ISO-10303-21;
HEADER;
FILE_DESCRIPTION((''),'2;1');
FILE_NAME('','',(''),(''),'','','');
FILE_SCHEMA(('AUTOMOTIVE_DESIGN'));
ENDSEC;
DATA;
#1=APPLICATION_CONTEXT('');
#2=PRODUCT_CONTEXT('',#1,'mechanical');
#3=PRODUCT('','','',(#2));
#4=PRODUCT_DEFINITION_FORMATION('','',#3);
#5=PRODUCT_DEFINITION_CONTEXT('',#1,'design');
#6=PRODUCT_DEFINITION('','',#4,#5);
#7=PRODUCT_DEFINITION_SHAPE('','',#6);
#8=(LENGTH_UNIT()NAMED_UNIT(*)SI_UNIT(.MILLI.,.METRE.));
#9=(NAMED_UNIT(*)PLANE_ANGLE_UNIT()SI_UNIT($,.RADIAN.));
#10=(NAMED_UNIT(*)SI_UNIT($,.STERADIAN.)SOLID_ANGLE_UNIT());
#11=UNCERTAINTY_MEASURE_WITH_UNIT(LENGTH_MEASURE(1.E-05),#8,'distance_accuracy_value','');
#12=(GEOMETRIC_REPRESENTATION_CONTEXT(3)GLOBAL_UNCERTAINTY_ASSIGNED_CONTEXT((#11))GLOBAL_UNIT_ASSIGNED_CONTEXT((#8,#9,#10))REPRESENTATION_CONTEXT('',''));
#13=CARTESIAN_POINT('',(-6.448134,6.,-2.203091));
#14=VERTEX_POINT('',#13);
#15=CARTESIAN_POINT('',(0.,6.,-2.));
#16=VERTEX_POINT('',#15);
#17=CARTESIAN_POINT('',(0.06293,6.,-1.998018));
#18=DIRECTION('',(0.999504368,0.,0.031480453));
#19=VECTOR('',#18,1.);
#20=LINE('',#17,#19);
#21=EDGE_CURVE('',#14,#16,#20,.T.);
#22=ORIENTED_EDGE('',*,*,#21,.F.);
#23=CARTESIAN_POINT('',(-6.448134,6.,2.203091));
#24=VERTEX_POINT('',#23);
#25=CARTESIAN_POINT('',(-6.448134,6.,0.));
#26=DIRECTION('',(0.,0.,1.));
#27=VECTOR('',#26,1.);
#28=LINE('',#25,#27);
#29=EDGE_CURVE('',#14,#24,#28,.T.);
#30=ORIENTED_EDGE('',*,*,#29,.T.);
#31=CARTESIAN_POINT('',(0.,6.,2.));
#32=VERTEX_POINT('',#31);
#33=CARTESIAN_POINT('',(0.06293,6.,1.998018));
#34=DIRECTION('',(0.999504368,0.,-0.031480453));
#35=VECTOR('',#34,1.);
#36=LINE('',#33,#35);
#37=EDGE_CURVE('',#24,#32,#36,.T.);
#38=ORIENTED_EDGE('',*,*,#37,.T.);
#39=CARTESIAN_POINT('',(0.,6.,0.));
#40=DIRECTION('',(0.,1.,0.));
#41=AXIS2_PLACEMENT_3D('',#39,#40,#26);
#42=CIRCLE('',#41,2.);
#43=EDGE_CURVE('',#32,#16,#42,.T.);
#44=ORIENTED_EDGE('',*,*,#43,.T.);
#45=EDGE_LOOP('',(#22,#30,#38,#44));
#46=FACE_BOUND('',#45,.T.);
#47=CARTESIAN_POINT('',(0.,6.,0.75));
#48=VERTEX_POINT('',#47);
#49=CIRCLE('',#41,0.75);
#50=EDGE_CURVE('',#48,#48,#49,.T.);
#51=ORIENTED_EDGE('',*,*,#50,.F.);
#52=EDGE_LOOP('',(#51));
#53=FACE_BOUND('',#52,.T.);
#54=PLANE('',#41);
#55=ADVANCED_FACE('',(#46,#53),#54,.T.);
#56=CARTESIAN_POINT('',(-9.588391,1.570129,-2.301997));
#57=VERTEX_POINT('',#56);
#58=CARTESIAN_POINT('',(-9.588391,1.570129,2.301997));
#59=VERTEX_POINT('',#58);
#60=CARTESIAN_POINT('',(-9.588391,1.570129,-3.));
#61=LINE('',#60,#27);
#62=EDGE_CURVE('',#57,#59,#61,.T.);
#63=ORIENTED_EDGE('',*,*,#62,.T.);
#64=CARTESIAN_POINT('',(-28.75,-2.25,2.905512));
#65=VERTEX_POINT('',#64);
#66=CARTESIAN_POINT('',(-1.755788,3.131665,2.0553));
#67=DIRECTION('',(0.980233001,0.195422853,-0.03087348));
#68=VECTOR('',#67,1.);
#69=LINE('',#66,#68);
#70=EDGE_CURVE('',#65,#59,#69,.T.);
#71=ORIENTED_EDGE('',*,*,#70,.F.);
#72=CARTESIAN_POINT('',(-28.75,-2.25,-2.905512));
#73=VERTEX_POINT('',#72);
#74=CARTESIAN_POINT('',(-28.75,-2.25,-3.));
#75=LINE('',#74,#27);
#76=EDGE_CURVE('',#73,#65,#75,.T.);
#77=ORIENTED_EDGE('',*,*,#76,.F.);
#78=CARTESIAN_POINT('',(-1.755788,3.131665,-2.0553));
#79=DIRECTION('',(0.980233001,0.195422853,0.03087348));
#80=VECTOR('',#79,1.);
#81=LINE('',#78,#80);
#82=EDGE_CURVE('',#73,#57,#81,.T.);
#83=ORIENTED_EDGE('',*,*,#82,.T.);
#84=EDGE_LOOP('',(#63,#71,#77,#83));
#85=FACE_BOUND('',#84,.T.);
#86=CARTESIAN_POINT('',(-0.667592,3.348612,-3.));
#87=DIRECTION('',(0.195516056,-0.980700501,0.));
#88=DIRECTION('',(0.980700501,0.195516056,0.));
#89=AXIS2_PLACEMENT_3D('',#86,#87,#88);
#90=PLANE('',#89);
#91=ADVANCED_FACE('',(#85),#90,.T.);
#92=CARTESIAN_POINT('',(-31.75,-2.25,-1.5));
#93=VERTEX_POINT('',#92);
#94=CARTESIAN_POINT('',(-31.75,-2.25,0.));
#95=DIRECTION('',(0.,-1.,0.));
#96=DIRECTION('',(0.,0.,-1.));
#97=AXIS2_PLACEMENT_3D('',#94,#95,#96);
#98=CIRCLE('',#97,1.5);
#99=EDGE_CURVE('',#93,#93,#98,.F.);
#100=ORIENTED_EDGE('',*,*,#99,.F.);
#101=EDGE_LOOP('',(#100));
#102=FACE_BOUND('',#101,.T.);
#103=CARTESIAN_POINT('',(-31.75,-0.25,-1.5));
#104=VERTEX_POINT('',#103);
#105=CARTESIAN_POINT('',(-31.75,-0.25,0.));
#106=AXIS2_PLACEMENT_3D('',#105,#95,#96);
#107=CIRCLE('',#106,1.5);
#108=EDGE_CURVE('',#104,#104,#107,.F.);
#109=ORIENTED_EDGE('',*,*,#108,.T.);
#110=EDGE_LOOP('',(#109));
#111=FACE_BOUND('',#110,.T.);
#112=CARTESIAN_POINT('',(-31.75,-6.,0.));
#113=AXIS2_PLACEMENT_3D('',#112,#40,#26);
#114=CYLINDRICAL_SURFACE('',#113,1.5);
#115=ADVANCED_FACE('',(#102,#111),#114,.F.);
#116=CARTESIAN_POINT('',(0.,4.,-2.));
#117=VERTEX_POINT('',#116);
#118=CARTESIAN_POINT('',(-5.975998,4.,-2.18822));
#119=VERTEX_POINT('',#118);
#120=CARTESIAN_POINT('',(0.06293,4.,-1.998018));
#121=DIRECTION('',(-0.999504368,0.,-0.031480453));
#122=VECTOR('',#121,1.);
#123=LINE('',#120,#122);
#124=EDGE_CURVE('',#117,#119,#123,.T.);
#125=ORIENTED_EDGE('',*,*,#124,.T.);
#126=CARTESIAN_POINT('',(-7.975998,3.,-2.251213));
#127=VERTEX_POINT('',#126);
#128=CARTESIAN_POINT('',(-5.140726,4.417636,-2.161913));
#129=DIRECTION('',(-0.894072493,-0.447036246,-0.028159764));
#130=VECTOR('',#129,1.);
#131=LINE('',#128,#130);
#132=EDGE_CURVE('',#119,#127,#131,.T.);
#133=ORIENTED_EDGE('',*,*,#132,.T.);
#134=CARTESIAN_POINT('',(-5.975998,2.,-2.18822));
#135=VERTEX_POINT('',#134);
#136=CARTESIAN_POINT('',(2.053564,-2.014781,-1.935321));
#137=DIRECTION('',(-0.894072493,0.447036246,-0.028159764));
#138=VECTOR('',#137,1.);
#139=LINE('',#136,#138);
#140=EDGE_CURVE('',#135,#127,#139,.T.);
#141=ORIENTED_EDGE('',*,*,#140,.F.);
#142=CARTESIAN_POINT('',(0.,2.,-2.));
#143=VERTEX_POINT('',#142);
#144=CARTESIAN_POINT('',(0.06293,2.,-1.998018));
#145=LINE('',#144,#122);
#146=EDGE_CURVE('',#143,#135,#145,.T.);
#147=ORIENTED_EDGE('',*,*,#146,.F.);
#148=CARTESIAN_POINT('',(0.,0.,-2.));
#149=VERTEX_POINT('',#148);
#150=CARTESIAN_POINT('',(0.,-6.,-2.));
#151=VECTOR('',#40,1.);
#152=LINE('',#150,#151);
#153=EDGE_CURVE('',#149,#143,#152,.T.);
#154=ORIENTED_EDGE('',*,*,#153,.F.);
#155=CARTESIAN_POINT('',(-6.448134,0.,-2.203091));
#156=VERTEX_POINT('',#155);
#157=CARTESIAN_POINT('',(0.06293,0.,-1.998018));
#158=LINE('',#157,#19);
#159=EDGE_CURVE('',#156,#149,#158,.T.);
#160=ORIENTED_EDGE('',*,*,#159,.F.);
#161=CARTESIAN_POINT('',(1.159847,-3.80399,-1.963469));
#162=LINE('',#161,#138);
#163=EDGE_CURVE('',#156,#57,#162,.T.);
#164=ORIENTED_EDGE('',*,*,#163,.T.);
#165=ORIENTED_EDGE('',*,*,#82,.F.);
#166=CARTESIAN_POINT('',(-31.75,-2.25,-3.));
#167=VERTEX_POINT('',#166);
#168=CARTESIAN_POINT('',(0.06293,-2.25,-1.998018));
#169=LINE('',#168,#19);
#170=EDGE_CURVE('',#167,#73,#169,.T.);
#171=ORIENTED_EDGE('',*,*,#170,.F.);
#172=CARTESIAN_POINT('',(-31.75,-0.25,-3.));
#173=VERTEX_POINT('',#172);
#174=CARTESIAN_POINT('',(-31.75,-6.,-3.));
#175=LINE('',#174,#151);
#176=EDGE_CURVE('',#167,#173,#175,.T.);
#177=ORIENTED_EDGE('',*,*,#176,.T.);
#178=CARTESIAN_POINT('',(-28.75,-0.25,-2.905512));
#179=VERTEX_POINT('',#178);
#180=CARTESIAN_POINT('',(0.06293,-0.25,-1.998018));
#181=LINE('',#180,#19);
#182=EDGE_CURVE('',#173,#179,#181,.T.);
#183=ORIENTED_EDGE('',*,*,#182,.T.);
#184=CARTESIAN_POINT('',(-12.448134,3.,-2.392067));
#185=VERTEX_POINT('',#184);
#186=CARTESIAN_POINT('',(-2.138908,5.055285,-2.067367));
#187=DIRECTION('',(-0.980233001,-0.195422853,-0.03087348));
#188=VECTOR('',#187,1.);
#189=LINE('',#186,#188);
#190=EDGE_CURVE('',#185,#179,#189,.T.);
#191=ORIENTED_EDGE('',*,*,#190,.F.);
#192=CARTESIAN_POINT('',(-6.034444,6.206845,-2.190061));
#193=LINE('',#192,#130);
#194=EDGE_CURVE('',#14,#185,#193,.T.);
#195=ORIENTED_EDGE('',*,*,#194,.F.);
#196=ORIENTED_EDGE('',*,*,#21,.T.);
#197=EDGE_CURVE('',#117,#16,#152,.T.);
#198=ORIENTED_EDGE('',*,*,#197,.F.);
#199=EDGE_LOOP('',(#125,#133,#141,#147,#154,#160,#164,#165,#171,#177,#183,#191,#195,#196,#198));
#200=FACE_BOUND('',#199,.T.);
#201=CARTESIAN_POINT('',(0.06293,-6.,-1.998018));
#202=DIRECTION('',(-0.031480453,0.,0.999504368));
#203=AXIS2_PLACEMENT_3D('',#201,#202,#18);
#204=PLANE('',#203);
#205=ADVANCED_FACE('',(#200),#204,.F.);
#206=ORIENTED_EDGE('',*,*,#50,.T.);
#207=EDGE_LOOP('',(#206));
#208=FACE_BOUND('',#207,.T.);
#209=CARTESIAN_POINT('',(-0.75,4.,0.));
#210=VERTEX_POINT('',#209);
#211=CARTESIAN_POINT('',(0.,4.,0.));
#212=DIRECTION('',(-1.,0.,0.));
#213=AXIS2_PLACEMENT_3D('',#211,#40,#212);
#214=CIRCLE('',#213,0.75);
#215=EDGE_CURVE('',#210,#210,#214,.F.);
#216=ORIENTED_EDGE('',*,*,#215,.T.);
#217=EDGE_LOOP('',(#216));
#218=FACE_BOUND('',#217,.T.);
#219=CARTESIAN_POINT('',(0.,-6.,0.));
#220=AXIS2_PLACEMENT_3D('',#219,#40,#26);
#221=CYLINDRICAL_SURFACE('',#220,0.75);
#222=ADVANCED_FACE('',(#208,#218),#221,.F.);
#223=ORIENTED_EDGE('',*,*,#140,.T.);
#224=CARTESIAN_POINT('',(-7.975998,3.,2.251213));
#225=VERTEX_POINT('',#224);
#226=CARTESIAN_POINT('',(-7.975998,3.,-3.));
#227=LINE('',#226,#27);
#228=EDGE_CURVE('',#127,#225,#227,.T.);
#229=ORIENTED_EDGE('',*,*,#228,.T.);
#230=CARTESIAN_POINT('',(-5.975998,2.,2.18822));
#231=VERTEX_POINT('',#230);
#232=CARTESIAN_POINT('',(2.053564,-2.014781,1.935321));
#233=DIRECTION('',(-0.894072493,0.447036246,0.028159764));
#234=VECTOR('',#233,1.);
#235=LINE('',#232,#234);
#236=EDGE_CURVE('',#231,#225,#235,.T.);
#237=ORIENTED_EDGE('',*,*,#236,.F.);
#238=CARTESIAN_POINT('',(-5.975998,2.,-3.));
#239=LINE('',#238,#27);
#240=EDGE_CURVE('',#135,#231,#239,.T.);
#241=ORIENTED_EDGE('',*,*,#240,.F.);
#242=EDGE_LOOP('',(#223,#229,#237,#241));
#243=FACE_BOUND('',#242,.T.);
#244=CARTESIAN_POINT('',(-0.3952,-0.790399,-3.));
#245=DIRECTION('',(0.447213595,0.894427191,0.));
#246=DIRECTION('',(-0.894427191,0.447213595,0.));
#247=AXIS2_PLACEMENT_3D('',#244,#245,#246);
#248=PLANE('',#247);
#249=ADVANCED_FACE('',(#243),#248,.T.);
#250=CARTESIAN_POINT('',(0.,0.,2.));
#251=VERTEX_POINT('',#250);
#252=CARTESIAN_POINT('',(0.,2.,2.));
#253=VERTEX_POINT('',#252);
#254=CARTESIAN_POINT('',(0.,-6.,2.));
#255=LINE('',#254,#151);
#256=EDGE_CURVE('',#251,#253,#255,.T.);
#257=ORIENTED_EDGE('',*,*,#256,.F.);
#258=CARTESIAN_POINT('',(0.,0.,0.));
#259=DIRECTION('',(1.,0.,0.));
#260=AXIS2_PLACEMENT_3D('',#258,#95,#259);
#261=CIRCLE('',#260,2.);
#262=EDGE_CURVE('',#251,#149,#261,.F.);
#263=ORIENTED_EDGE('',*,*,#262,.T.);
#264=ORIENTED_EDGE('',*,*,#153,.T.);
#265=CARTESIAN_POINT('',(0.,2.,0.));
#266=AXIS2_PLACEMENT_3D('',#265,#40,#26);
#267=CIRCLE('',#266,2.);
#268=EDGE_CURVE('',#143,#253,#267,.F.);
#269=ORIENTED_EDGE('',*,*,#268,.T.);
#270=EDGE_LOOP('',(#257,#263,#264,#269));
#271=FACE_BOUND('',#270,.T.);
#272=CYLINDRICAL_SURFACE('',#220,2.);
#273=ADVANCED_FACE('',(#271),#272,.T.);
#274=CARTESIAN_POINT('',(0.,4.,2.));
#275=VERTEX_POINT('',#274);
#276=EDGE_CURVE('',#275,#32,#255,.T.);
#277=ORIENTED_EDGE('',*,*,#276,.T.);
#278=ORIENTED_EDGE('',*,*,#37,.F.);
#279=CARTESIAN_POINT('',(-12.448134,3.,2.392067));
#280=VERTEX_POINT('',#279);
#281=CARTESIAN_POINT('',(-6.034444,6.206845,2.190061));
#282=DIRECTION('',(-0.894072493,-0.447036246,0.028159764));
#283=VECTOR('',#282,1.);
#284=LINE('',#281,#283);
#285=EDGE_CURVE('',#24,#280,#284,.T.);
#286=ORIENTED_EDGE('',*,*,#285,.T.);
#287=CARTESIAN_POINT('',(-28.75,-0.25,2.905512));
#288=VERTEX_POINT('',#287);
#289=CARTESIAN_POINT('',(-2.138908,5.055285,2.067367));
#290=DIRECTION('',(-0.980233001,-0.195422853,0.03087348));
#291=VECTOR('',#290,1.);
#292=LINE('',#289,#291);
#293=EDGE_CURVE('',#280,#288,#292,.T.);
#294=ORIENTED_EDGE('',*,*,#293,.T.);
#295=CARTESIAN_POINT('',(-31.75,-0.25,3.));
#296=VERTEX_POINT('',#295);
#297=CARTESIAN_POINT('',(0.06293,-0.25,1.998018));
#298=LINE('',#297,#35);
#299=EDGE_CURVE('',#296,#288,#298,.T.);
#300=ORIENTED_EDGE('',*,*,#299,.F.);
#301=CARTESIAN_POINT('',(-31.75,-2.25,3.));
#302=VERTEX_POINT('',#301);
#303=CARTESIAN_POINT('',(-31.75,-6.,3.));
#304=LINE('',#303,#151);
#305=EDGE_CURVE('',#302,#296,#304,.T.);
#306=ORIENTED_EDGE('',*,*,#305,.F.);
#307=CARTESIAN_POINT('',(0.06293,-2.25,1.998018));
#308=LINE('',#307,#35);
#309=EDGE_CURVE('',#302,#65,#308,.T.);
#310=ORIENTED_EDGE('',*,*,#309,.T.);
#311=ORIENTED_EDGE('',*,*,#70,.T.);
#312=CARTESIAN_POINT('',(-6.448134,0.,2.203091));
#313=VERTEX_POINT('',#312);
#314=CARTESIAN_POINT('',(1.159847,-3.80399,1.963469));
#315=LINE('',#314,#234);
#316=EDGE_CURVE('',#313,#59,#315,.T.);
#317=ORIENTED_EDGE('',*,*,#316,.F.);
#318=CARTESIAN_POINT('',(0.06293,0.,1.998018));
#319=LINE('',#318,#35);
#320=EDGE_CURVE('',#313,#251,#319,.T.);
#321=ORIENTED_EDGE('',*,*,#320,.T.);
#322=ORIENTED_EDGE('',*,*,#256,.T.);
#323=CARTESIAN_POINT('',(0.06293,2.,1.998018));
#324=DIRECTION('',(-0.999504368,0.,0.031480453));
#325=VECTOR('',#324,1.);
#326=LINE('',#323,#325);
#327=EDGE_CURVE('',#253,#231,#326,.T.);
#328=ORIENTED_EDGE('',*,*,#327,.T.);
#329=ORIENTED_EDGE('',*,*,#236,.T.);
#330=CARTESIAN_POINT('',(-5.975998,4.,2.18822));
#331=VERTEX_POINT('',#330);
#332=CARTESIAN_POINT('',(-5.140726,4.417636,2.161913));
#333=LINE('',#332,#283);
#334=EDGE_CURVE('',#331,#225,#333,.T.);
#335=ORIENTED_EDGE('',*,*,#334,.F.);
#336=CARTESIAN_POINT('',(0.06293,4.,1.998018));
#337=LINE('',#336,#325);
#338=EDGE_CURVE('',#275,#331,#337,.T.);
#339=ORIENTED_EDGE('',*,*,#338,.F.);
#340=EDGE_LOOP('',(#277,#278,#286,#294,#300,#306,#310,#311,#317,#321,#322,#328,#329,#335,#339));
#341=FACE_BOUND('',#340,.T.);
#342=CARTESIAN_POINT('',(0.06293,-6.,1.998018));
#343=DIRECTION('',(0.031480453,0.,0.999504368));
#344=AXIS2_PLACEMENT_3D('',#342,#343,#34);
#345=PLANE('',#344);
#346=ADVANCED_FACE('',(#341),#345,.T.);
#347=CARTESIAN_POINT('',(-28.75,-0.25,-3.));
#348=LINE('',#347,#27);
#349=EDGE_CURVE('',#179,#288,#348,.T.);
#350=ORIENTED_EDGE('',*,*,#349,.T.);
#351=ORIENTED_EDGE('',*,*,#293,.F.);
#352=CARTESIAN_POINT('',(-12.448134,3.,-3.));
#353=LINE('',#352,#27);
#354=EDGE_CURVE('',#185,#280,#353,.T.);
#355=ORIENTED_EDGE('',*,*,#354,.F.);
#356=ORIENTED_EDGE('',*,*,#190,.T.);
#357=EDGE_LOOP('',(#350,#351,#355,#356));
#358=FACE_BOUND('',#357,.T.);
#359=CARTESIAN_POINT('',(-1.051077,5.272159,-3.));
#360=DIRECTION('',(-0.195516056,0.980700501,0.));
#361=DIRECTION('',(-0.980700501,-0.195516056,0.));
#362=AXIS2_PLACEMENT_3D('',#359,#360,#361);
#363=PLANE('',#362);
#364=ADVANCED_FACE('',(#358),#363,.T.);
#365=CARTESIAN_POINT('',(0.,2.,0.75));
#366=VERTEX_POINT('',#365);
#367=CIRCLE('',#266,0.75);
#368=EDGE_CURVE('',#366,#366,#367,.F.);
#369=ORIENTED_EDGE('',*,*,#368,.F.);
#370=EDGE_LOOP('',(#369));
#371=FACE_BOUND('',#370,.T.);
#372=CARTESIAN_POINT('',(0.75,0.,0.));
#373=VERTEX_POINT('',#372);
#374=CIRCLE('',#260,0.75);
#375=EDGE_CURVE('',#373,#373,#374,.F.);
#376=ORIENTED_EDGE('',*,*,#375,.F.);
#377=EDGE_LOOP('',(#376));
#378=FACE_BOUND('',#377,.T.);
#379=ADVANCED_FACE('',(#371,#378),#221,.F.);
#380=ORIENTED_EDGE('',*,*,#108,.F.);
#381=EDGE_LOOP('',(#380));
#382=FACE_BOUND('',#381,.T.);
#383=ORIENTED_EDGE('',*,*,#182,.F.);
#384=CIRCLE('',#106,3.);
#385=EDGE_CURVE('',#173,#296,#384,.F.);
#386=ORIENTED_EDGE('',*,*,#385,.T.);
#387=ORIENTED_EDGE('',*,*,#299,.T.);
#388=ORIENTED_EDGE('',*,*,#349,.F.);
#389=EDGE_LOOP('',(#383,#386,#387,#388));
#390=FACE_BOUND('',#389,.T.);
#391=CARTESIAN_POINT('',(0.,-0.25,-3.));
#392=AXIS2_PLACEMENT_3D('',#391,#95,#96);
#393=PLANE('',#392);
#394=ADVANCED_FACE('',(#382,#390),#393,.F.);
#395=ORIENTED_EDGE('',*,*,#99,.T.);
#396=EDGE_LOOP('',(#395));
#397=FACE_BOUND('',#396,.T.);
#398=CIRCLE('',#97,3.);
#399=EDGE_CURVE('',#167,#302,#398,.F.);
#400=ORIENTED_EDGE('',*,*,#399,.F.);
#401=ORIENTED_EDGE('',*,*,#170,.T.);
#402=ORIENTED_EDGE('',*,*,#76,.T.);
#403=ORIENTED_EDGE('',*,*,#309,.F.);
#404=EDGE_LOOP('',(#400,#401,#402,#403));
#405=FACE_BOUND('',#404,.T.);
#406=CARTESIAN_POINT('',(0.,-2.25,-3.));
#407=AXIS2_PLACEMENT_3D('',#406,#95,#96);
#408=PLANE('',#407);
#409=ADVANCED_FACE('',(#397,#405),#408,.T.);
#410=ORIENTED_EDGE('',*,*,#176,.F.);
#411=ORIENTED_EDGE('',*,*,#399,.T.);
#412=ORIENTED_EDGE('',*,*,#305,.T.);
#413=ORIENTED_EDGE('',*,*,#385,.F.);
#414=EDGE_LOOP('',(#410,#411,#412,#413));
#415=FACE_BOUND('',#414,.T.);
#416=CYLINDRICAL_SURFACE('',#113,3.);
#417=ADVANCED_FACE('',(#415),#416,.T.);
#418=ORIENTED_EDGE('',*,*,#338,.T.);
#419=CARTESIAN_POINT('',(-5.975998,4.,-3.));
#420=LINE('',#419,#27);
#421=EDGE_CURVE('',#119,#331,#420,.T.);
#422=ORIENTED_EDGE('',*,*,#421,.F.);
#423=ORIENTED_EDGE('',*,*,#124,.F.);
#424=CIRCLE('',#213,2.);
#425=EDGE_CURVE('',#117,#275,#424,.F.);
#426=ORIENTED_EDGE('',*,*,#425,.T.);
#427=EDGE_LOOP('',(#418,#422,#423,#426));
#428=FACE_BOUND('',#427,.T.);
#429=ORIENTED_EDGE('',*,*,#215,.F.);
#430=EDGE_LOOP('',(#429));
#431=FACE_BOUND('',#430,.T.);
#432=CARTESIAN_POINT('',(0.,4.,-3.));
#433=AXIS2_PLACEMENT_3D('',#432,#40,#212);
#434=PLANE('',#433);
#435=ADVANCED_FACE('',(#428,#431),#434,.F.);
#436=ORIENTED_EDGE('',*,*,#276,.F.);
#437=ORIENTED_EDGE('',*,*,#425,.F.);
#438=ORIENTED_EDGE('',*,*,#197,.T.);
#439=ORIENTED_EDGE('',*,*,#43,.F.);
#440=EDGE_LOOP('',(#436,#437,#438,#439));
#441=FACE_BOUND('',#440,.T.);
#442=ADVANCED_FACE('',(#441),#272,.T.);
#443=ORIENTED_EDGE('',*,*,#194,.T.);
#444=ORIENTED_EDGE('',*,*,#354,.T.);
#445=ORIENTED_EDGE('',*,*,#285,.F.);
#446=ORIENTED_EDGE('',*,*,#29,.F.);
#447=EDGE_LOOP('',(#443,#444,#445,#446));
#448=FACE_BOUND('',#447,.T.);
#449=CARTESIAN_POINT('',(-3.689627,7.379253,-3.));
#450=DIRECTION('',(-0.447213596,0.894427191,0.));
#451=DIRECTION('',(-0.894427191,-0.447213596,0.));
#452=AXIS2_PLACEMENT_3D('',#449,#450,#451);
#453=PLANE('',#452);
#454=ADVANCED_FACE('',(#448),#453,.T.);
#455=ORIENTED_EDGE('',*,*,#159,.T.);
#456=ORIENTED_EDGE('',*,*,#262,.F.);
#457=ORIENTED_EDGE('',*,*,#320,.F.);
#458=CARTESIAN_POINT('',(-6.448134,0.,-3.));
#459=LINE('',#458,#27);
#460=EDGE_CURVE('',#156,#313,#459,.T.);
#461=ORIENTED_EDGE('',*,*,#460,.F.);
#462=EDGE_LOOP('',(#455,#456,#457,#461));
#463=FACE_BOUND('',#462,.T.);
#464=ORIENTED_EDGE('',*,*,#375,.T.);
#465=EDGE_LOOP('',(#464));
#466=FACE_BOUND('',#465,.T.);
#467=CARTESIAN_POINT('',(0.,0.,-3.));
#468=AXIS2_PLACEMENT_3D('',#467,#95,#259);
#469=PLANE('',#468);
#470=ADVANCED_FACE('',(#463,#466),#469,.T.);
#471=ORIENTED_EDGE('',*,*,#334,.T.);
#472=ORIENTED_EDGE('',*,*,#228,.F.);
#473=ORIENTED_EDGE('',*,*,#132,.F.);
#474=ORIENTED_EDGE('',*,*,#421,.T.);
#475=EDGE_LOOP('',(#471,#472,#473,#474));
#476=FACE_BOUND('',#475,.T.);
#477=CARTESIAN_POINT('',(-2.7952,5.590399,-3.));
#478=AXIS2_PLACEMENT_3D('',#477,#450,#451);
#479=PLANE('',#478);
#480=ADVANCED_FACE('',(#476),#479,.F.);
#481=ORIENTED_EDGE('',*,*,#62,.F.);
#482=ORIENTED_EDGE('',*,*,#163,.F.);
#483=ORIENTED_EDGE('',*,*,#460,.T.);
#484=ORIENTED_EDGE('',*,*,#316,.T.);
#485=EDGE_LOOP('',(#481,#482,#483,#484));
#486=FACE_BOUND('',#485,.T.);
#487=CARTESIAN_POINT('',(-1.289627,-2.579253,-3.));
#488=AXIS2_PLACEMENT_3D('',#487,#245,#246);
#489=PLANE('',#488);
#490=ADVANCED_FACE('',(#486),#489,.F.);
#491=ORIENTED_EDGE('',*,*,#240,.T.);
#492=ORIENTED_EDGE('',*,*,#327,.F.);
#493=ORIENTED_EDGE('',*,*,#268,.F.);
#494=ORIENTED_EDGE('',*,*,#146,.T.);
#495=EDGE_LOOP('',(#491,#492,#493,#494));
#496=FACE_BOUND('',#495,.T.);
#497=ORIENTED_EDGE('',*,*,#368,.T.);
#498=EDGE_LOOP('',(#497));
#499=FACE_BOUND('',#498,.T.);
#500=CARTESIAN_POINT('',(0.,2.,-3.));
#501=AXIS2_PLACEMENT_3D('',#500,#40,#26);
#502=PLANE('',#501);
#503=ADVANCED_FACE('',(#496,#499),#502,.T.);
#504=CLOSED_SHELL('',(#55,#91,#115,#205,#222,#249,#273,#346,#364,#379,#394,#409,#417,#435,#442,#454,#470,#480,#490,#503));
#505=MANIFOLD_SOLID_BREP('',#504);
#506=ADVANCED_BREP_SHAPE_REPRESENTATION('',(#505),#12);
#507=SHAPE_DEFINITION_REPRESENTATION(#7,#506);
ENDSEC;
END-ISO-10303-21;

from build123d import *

# Parameters (mm, degrees)
EXTRUDE_1_DEPTH          = 6
EXTRUDE_1_DEPTH_BACK     = 6
SKETCH_1_R               = 1.5
SKETCH_1_R_2             = 0.75
CUT_EXTRUDE_1_DEPTH      = 36.391559728
CUT_EXTRUDE_1_DEPTH_BACK = 36.391559728
SKETCH_2_W               = 62.866350052
SKETCH_2_H               = 37.677296861


with BuildPart() as part:
    # Эскиз1 → Бобышка-Вытянуть1 (new, two sides: drawn at the far end of the back side and taken through both)
    with BuildSketch(Plane(origin=(0, 0, 0), x_dir=(1, 0, 0), z_dir=(0, 1, 0)).offset(-EXTRUDE_1_DEPTH_BACK)):
        with BuildLine():
            Line((0, 2), (-31.75, 3))
            ThreePointArc((-31.75, 3), (-34.75, 0), (-31.75, -3))
            Line((-31.75, -3), (0, -2))
            ThreePointArc((0, -2), (2, 0), (0, 2))
        make_face()
        with Locations((-31.75, 0)):
            Circle(SKETCH_1_R, mode=Mode.SUBTRACT)
        Circle(SKETCH_1_R_2, mode=Mode.SUBTRACT)
    extrude(amount=EXTRUDE_1_DEPTH + EXTRUDE_1_DEPTH_BACK)

    # Эскиз2 → Вырез-Вытянуть1 (cut, two sides: drawn at the far end of the back side and taken through both)
    with BuildSketch(Plane.XY.offset(-CUT_EXTRUDE_1_DEPTH_BACK)):
        with Locations((-15.620530839, 1.877248647)):
            Rectangle(SKETCH_2_W, SKETCH_2_H)
        Polygon((-34.75, -2), (-34.75, -0.25), (-28.75, -0.25), (-12.448133575, 3), (-8.870424812, 4.788854382), (-6.448133576, 6), (-5, 6), (2, 6), (2, 4), (-5.975997621, 4), (-7.975997621, 3), (-5.975997621, 2), (2, 2), (2, 0), (-6.448133576, 0), (-9.588391111, 1.570128768), (-28.75, -2.25), (-34.75, -2.25), align=None, mode=Mode.SUBTRACT)
    extrude(amount=CUT_EXTRUDE_1_DEPTH + CUT_EXTRUDE_1_DEPTH_BACK, mode=Mode.SUBTRACT)


solid = part.part
